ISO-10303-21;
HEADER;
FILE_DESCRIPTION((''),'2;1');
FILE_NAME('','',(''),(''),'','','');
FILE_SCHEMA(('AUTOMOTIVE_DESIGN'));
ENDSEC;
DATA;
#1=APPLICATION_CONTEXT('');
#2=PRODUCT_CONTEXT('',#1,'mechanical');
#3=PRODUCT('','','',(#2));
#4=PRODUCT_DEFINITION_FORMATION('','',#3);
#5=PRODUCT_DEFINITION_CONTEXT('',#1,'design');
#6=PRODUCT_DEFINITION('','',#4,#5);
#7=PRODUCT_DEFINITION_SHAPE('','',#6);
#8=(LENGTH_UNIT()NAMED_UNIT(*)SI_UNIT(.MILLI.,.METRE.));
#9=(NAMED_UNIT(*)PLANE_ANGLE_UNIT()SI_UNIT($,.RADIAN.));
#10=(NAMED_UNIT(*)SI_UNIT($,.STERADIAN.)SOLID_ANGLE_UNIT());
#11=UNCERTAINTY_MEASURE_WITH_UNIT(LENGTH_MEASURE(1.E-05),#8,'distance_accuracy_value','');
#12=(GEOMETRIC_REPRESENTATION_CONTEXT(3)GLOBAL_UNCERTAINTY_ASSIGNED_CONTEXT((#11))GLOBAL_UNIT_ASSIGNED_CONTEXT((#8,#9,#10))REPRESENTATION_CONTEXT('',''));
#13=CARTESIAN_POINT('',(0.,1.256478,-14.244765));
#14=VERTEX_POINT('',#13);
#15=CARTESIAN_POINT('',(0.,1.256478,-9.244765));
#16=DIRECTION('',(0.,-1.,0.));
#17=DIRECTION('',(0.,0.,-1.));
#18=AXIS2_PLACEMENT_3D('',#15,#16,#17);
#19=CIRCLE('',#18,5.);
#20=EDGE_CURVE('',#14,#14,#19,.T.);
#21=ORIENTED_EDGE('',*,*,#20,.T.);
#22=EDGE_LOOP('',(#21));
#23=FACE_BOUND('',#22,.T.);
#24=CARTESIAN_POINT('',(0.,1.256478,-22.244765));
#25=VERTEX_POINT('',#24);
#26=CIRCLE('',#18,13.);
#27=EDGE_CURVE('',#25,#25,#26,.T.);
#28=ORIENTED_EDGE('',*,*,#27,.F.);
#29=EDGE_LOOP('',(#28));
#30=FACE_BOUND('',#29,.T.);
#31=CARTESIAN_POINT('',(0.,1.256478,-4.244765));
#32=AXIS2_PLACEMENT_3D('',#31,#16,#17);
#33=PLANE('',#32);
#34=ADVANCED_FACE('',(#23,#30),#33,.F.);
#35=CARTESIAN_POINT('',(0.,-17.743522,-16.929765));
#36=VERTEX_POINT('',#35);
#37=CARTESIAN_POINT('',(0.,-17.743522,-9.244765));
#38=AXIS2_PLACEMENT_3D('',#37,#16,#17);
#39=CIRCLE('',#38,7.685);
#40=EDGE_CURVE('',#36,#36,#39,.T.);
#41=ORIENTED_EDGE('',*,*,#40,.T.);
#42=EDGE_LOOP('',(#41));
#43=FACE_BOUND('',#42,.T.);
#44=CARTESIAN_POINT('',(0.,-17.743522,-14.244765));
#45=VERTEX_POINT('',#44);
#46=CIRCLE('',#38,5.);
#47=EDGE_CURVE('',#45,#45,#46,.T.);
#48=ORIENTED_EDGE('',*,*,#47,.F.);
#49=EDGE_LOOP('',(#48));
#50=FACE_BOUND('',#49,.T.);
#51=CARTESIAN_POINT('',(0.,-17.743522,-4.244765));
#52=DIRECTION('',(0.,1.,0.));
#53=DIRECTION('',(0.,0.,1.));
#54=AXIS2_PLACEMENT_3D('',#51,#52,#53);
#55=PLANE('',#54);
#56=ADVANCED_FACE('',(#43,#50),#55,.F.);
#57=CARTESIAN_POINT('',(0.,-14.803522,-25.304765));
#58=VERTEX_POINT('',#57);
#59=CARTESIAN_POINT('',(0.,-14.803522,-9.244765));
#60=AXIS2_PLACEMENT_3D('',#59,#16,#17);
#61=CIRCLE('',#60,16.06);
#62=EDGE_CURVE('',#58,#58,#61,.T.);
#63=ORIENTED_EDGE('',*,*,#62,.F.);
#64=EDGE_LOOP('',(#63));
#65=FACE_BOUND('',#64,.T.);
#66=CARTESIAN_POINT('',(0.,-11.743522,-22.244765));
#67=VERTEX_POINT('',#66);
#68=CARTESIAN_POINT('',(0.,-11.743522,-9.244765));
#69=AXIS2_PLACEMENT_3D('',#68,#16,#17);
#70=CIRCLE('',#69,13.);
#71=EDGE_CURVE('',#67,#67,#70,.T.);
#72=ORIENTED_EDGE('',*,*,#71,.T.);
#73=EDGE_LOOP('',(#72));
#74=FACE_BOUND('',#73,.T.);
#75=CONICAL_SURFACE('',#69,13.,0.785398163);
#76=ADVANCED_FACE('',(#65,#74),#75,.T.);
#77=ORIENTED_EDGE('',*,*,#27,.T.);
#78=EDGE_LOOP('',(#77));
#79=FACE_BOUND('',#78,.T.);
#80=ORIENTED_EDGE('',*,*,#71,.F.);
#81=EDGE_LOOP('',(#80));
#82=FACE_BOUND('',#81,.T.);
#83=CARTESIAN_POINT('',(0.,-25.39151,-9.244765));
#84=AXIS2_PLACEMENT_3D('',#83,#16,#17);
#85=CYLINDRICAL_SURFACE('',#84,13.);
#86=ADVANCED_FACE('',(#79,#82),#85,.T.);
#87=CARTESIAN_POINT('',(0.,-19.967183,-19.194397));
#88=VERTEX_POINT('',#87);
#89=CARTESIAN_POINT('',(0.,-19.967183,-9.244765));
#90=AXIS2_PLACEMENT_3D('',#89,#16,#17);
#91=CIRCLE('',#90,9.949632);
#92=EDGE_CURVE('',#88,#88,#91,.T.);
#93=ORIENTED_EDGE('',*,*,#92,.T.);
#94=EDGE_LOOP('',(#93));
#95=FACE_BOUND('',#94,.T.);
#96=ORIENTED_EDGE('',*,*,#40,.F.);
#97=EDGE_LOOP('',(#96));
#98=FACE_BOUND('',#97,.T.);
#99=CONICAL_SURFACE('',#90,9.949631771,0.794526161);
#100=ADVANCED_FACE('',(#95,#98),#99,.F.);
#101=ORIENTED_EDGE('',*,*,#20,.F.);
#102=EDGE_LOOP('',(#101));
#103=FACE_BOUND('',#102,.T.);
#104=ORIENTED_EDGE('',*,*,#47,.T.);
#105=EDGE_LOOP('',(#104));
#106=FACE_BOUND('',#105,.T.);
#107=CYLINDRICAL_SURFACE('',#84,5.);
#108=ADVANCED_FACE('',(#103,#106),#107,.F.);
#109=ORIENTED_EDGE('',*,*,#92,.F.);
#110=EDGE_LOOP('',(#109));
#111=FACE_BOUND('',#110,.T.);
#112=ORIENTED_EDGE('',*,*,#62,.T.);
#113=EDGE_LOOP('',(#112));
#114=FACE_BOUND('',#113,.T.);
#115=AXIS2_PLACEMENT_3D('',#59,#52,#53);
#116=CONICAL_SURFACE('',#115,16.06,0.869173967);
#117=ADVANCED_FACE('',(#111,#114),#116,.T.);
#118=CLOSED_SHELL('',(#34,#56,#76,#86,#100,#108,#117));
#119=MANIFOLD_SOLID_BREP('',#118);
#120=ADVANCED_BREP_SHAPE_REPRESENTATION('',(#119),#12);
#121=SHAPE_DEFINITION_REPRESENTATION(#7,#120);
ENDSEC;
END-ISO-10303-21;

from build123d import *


with BuildPart() as part:
    # Sketch2 → Revolve1 (revolve)
    with BuildSketch(Plane.YZ, mode=Mode.PRIVATE) as revolve1_sk:
        Polygon((-11.743521681, 3.755235238), (-14.803521681, 6.815235238), (-19.967183183, 0.704867009), (-17.743521681, -1.559764762), (-17.743521681, -4.244764762), (1.256478319, -4.244764762), (1.256478319, -1.559764762), (1.256478319, 3.755235238), align=None)
    revolve(revolve1_sk.sketch.rotate(Axis((0, -25.391509901, -9.244764762), (0, 1, 0)), 180), axis=Axis((0, -25.391509901, -9.244764762), (0, 1, 0)))


solid = part.part
